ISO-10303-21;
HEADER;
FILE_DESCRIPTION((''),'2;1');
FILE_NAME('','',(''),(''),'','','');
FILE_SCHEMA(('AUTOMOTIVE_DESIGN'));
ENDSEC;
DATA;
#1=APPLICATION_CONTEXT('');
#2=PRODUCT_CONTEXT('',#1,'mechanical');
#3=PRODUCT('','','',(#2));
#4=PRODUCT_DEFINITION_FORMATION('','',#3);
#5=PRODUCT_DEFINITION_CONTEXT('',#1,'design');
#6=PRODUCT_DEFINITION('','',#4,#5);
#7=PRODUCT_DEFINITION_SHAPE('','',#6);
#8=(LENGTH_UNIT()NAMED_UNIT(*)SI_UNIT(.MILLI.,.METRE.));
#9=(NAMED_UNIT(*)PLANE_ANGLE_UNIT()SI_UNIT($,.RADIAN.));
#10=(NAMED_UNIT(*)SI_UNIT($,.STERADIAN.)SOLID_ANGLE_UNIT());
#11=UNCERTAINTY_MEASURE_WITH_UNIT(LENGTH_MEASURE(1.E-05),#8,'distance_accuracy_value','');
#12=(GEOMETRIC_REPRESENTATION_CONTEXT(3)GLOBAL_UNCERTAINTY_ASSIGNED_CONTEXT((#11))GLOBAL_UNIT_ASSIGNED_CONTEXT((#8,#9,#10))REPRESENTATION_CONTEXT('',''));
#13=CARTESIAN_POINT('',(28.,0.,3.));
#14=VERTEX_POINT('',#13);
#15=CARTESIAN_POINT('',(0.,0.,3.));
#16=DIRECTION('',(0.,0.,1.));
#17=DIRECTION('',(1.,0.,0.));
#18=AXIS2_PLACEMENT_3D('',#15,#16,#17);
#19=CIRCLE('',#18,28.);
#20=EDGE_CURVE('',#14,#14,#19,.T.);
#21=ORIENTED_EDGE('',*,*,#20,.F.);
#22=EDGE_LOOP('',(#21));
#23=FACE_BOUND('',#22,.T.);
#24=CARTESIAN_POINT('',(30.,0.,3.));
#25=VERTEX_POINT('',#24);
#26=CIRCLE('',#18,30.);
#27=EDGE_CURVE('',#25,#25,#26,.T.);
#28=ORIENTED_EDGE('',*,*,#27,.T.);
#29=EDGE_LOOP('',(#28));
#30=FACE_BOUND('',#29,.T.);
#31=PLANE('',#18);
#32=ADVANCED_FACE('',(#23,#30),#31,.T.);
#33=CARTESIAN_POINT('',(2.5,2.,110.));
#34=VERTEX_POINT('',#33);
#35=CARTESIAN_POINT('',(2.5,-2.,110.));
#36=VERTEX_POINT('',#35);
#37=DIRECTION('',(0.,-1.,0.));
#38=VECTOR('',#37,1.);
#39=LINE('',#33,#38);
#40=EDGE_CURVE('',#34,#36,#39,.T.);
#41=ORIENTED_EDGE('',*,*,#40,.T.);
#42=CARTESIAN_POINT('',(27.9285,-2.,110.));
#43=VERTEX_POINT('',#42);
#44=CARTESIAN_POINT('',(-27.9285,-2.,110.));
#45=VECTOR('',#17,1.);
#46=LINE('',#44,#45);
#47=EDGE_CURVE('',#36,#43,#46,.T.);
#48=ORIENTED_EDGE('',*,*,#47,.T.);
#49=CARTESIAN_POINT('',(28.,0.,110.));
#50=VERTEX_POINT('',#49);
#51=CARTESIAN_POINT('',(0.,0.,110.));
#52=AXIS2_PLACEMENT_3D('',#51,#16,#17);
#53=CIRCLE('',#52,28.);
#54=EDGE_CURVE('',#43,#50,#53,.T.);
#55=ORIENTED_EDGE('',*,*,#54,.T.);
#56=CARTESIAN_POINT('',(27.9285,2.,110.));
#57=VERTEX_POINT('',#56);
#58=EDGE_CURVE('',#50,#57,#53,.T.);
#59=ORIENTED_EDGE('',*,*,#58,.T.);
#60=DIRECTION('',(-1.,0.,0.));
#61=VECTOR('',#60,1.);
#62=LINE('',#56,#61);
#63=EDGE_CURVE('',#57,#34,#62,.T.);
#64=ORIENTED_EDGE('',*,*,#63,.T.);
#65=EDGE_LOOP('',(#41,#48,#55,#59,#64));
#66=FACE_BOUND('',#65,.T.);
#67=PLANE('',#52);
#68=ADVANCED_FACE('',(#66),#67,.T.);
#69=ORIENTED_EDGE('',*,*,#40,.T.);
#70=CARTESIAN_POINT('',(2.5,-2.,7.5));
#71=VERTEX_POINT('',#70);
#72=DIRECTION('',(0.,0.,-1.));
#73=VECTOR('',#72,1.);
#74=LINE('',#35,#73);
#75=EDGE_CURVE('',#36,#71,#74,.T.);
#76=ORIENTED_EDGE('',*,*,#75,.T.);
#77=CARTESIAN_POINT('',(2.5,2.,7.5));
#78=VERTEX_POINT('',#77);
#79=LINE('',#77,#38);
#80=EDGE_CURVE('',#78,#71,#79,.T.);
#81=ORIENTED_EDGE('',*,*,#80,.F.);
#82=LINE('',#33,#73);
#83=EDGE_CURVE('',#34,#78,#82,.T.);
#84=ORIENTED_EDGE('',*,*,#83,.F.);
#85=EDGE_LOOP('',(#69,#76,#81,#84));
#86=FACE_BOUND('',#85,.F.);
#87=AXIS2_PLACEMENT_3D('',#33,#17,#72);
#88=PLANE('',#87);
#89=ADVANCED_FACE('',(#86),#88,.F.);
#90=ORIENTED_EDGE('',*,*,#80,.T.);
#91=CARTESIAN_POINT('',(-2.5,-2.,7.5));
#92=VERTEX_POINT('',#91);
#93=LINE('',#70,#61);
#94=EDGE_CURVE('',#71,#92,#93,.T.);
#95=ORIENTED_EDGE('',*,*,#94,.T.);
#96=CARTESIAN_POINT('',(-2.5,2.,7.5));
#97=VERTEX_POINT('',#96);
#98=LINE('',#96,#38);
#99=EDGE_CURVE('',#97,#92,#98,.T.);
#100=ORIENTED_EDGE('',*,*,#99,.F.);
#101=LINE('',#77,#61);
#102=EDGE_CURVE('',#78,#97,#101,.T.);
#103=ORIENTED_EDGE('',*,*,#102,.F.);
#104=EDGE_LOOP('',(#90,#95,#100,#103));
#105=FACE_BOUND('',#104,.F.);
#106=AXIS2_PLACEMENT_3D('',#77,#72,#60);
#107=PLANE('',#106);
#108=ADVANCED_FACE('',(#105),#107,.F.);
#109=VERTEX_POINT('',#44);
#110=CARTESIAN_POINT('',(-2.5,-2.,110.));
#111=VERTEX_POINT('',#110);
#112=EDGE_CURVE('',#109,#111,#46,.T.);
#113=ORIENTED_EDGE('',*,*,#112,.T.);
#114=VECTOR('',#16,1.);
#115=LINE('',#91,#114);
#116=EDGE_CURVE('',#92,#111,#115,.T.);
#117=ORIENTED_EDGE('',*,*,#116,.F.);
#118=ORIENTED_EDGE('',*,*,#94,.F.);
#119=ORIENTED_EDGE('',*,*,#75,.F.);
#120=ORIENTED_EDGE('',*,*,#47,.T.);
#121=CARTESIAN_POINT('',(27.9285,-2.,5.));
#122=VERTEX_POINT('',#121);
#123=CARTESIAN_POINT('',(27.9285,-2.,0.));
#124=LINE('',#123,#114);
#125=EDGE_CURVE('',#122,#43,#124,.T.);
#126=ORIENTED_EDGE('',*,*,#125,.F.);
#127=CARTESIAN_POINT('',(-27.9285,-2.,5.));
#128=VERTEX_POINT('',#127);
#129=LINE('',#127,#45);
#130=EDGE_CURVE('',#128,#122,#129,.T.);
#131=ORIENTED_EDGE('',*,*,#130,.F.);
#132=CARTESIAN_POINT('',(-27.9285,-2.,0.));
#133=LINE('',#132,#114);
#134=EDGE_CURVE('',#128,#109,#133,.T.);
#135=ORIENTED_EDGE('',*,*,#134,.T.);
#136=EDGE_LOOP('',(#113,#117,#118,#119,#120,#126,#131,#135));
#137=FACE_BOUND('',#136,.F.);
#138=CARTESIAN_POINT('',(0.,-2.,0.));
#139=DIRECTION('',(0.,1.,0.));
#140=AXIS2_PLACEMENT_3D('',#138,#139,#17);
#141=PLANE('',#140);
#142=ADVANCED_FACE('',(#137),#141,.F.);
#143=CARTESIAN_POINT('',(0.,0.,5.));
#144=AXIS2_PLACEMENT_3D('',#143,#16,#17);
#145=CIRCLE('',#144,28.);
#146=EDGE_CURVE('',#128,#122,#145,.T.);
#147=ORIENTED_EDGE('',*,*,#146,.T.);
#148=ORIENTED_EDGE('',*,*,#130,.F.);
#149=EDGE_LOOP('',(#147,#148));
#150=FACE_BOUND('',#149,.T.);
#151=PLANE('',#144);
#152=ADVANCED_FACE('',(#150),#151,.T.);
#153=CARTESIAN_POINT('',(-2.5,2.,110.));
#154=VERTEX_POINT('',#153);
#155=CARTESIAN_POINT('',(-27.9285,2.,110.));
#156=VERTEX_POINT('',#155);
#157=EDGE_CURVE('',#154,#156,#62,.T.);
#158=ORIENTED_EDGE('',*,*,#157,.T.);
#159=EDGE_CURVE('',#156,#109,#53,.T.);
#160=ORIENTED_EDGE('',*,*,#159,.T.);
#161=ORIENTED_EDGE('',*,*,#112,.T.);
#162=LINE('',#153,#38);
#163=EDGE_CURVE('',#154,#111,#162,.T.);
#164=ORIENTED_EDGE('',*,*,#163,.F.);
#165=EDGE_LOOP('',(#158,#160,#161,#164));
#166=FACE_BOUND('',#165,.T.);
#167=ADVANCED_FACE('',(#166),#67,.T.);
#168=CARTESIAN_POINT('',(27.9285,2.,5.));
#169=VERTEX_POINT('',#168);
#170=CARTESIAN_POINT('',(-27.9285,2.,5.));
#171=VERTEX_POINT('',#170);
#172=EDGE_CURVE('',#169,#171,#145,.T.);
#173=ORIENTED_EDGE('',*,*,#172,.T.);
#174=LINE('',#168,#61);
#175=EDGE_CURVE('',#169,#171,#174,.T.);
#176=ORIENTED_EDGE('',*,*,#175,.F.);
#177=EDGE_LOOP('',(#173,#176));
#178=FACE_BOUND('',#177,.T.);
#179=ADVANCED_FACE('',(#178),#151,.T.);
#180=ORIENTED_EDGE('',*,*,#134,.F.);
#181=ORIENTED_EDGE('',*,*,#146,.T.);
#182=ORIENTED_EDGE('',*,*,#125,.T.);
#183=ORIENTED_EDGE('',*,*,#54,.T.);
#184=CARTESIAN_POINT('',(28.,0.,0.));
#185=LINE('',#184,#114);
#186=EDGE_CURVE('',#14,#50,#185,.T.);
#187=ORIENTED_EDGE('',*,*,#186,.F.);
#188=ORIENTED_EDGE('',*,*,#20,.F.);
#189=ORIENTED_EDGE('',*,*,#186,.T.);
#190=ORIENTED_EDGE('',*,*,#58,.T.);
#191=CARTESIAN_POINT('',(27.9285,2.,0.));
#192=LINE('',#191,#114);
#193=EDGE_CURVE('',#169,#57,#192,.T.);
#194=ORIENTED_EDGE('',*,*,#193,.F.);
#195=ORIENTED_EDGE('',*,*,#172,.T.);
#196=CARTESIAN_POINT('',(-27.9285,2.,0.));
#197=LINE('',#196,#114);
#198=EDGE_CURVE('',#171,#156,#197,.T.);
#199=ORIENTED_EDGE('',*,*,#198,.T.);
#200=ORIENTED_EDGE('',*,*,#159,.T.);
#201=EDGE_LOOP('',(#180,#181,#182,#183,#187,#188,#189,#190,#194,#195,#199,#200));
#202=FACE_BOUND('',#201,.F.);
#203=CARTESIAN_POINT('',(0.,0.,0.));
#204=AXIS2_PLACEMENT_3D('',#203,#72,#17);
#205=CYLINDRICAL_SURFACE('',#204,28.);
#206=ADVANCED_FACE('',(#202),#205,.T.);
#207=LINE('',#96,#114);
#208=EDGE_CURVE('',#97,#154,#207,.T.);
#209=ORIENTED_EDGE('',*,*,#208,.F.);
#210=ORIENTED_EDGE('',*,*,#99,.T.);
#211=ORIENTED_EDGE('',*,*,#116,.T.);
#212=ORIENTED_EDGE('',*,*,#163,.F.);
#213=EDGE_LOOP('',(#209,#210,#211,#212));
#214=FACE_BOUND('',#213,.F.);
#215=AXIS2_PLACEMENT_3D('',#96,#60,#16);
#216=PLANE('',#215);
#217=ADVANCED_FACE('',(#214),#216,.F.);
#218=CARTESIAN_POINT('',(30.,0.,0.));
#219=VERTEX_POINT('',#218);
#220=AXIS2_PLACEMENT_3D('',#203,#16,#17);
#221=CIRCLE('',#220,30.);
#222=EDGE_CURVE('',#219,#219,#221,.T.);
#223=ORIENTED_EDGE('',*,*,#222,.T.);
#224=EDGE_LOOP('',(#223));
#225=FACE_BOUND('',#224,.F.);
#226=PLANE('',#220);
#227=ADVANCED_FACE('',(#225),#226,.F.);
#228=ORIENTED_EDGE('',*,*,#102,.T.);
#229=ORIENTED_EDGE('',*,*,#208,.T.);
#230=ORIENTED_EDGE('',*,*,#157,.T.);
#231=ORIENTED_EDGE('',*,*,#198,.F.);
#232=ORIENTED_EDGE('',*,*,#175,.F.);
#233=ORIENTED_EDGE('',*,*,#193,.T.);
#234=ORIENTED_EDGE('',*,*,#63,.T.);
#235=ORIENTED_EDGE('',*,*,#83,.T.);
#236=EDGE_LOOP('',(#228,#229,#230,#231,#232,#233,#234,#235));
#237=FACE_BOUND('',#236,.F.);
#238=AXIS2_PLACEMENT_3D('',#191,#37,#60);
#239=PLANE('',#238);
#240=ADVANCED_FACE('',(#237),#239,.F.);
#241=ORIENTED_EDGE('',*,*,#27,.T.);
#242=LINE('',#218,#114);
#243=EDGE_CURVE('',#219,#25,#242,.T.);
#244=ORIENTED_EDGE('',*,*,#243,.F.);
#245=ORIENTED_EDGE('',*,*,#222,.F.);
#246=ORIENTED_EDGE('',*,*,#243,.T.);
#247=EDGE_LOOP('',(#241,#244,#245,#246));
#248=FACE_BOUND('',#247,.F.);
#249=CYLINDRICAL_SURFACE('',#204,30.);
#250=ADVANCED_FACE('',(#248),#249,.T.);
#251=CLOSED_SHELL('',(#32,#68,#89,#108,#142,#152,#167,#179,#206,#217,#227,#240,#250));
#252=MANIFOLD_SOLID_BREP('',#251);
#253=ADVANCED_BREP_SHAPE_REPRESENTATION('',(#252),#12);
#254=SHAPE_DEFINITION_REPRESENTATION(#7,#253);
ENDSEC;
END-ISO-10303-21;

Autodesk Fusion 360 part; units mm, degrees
sketch "Base" plane through (0, 0, 0) normal (0, 0, 1) x (1, 0, 0)
  circle A0 centre (0, 0) radius 30
  circle A1 centre (0, 0) radius 28
  dimension "d1" = 60
  dimension "d2" = 56
extrude "Extrude1" add sketch "Base" along normal blind 2 contours A1 makes body 1
extrude "Extrude2" add sketch "Base" along normal blind 113 bodies 1
sketch "Sketch2" plane through (0, 0, 0) normal (0, 0, 1) x (1, 0, 0)
  circle A0 centre (0, 0) radius 28
  line L0 (0, -2) -> (27.9285, -2)
  line L1 (-27.9285, -2) -> (0, -2)
  line L2 (0, 2) -> (-27.9285, 2)
  line L3 (27.9285, 2) -> (0, 2)
  circle A1 centre (0, 0) radius 30
extrude "Extrude3" add sketch "Sketch2" along normal blind 3 separate body makes body 2
extrude "Extrude4" add sketch "Sketch2" along normal blind 5 contours A0 L0 L1 bodies 2
extrude "Extrude5" add sketch "Sketch2" along normal blind 5 contours A0 L2 L3 bodies 2
extrude "Extrude6" add sketch "Sketch2" along normal blind 110 contours A0 L0 L1 L2 L3 bodies 2
sketch "Sketch6" plane through (0, 2, 0) normal (0, 1, 0) x (-1, 0, 0)
  line L0 (-27.9285, 5) -> (27.9285, 5)
  line L1 (27.9285, 5) -> (27.9285, 110)
  line L2 (27.9285, 110) -> (-27.9285, 110)
  line L3 (-27.9285, 110) -> (-27.9285, 5)
  line L4 (-2.5, 7.5) -> (2.5, 7.5)
  line L5 (2.5, 7.5) -> (2.5, 110)
  line L6 (-2.5, 110) -> (2.5, 110)
  line L7 (-2.5, 110) -> (-2.5, 7.5)
  dimension "d15" = 102.5
  dimension "d16" = 5
extrude "Extrude7" cut sketch "Sketch6" against normal blind 4 contours L2 L4 L5 L6 L7 bodies 2
hidden bodies 1
